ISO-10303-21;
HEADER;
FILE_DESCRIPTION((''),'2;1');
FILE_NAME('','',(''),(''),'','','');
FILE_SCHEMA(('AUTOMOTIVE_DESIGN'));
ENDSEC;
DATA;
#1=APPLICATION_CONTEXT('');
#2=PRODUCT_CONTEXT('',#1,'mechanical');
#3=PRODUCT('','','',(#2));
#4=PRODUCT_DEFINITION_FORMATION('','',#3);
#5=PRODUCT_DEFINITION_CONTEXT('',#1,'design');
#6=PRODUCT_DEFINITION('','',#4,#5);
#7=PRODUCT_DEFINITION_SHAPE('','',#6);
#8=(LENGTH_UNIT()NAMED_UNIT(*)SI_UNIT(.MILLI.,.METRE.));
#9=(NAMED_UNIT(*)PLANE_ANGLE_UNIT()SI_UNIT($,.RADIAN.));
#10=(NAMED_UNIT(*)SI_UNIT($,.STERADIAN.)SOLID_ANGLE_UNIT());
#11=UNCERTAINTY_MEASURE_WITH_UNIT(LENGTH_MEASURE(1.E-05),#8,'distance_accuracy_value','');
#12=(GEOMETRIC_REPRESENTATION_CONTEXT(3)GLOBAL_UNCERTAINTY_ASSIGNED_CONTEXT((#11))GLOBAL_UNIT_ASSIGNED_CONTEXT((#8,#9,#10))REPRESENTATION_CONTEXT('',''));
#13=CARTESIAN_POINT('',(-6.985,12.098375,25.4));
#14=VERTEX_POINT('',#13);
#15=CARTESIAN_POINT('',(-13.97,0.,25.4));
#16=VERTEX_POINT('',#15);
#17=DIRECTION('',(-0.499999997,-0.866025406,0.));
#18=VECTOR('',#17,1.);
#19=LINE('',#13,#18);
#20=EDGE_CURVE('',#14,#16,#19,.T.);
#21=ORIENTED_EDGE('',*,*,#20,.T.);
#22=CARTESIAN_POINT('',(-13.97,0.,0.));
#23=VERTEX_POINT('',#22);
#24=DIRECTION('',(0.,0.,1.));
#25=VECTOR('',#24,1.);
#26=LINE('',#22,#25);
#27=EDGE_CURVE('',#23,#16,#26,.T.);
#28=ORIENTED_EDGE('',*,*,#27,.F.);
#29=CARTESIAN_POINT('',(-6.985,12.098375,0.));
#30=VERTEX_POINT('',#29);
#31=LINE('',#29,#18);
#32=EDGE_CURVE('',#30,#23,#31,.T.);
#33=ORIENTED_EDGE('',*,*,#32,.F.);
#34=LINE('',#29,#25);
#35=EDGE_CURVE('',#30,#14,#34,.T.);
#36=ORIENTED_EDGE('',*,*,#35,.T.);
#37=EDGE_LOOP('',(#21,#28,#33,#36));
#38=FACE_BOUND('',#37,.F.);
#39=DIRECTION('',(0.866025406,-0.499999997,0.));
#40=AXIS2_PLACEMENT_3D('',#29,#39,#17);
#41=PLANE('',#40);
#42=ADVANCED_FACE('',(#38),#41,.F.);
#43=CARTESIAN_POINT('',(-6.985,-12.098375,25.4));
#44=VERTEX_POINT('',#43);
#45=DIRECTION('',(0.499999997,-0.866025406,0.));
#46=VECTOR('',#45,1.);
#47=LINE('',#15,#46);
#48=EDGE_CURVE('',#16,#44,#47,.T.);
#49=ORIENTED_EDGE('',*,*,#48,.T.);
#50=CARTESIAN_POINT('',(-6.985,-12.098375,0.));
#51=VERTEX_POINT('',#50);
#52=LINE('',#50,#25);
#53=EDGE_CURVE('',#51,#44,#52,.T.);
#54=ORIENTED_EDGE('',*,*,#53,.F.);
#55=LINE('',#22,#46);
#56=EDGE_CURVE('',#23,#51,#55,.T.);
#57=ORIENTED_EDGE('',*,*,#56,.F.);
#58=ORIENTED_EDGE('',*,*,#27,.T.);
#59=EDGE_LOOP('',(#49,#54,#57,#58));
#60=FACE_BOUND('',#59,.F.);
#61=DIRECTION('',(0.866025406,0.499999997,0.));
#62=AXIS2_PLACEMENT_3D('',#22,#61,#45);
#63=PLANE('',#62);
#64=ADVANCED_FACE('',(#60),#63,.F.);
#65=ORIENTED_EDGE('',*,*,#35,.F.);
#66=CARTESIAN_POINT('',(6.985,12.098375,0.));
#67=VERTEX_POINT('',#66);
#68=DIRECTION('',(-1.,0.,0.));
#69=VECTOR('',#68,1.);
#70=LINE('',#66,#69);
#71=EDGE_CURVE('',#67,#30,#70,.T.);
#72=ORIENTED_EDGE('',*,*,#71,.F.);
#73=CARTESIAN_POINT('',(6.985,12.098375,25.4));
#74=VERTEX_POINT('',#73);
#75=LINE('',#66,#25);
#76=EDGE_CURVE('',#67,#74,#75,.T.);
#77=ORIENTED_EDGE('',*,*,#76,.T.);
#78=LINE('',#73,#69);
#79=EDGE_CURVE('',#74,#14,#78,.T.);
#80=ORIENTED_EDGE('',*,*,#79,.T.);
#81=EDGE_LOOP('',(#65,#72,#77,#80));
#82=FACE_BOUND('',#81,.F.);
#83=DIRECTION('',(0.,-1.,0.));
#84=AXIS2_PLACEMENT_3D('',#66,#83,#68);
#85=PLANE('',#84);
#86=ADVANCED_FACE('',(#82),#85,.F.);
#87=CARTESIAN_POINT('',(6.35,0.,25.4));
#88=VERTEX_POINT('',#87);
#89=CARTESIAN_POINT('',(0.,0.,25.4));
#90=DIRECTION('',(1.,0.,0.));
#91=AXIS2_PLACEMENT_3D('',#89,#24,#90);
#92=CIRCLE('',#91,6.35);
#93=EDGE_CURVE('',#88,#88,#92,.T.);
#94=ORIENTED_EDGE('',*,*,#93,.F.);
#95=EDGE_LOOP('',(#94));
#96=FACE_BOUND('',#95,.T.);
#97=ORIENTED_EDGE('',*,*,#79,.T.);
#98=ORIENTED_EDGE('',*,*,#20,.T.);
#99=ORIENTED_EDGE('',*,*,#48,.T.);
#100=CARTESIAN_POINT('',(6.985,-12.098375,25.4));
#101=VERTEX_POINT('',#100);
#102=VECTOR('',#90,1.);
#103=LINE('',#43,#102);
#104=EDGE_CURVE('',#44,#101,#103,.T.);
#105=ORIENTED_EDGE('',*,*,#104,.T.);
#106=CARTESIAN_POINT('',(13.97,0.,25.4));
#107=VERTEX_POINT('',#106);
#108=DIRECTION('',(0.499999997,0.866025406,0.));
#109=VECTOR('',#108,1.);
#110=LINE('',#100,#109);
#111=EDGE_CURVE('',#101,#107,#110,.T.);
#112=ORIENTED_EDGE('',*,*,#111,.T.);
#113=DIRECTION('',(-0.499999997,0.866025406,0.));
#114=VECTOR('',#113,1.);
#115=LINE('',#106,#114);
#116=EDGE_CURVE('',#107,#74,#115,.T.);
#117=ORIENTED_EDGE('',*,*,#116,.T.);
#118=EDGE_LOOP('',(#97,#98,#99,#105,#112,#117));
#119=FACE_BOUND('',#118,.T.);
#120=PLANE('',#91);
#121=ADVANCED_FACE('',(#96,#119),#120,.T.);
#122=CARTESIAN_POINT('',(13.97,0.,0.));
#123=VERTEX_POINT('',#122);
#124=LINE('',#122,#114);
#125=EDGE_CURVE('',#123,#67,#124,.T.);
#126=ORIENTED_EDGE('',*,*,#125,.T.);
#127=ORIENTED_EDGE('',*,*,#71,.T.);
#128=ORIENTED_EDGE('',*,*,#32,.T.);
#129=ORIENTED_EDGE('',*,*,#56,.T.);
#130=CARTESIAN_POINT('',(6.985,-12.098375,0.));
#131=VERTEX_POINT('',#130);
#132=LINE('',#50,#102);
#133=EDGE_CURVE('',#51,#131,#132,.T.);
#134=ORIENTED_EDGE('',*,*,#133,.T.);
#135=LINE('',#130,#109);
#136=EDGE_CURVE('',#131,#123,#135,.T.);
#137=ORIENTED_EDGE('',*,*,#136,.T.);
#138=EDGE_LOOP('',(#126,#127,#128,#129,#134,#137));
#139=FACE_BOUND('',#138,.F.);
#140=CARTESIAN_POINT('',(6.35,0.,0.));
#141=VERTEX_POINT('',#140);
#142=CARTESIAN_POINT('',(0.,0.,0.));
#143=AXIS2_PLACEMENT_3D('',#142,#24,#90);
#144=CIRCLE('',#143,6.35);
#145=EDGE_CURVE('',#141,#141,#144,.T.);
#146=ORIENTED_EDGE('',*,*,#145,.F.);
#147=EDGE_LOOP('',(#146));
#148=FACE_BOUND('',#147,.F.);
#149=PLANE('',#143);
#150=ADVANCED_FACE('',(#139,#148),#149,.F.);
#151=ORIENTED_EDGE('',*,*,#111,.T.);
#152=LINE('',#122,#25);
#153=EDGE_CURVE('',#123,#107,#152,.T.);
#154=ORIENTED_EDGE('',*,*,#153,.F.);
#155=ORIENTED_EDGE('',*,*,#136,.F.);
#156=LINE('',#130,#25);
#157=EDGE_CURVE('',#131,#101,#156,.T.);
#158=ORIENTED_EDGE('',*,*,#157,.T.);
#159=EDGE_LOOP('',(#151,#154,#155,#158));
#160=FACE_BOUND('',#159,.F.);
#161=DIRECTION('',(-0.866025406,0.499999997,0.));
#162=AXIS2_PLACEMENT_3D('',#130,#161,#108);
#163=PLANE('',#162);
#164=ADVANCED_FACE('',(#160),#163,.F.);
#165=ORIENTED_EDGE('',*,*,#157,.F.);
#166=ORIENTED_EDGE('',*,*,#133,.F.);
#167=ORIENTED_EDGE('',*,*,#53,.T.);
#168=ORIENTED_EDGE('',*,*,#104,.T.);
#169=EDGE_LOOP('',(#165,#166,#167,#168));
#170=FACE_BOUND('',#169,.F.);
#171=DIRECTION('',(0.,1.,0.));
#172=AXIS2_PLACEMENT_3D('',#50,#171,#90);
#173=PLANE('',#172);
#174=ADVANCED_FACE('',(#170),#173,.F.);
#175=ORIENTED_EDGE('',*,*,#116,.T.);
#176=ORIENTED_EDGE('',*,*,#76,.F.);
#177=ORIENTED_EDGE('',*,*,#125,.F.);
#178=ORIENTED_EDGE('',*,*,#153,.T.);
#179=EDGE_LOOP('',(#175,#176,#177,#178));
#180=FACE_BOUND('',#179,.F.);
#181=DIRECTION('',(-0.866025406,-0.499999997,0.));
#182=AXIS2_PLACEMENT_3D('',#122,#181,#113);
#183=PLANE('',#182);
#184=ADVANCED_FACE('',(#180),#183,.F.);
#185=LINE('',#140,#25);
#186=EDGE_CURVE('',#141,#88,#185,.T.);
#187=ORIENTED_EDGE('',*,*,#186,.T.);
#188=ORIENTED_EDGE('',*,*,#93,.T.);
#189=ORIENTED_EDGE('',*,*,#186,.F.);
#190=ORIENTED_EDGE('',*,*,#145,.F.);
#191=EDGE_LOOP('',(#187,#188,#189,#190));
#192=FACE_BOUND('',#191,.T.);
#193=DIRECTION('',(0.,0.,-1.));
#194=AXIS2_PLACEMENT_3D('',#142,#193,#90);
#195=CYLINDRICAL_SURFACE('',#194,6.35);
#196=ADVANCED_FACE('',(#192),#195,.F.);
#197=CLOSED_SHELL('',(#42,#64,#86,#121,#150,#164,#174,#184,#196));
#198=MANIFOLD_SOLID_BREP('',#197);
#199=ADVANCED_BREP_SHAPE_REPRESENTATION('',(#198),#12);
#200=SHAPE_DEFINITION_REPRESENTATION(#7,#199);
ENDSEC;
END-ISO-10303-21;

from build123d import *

# Parameters (mm, degrees)
F0_R     = 6.35
F1_DEPTH = 25.4


with BuildPart() as f1:
    # F0 (on Top) → F1 (new body)
    with BuildSketch(Plane.XY):
        Polygon((6.985, 12.098375), (-6.985, 12.098375), (-13.97, 0), (-6.985, -12.098375), (6.985, -12.098375), (13.97, 0), align=None)
        Circle(F0_R, mode=Mode.SUBTRACT)
    extrude(amount=F1_DEPTH)


solid = f1.part
